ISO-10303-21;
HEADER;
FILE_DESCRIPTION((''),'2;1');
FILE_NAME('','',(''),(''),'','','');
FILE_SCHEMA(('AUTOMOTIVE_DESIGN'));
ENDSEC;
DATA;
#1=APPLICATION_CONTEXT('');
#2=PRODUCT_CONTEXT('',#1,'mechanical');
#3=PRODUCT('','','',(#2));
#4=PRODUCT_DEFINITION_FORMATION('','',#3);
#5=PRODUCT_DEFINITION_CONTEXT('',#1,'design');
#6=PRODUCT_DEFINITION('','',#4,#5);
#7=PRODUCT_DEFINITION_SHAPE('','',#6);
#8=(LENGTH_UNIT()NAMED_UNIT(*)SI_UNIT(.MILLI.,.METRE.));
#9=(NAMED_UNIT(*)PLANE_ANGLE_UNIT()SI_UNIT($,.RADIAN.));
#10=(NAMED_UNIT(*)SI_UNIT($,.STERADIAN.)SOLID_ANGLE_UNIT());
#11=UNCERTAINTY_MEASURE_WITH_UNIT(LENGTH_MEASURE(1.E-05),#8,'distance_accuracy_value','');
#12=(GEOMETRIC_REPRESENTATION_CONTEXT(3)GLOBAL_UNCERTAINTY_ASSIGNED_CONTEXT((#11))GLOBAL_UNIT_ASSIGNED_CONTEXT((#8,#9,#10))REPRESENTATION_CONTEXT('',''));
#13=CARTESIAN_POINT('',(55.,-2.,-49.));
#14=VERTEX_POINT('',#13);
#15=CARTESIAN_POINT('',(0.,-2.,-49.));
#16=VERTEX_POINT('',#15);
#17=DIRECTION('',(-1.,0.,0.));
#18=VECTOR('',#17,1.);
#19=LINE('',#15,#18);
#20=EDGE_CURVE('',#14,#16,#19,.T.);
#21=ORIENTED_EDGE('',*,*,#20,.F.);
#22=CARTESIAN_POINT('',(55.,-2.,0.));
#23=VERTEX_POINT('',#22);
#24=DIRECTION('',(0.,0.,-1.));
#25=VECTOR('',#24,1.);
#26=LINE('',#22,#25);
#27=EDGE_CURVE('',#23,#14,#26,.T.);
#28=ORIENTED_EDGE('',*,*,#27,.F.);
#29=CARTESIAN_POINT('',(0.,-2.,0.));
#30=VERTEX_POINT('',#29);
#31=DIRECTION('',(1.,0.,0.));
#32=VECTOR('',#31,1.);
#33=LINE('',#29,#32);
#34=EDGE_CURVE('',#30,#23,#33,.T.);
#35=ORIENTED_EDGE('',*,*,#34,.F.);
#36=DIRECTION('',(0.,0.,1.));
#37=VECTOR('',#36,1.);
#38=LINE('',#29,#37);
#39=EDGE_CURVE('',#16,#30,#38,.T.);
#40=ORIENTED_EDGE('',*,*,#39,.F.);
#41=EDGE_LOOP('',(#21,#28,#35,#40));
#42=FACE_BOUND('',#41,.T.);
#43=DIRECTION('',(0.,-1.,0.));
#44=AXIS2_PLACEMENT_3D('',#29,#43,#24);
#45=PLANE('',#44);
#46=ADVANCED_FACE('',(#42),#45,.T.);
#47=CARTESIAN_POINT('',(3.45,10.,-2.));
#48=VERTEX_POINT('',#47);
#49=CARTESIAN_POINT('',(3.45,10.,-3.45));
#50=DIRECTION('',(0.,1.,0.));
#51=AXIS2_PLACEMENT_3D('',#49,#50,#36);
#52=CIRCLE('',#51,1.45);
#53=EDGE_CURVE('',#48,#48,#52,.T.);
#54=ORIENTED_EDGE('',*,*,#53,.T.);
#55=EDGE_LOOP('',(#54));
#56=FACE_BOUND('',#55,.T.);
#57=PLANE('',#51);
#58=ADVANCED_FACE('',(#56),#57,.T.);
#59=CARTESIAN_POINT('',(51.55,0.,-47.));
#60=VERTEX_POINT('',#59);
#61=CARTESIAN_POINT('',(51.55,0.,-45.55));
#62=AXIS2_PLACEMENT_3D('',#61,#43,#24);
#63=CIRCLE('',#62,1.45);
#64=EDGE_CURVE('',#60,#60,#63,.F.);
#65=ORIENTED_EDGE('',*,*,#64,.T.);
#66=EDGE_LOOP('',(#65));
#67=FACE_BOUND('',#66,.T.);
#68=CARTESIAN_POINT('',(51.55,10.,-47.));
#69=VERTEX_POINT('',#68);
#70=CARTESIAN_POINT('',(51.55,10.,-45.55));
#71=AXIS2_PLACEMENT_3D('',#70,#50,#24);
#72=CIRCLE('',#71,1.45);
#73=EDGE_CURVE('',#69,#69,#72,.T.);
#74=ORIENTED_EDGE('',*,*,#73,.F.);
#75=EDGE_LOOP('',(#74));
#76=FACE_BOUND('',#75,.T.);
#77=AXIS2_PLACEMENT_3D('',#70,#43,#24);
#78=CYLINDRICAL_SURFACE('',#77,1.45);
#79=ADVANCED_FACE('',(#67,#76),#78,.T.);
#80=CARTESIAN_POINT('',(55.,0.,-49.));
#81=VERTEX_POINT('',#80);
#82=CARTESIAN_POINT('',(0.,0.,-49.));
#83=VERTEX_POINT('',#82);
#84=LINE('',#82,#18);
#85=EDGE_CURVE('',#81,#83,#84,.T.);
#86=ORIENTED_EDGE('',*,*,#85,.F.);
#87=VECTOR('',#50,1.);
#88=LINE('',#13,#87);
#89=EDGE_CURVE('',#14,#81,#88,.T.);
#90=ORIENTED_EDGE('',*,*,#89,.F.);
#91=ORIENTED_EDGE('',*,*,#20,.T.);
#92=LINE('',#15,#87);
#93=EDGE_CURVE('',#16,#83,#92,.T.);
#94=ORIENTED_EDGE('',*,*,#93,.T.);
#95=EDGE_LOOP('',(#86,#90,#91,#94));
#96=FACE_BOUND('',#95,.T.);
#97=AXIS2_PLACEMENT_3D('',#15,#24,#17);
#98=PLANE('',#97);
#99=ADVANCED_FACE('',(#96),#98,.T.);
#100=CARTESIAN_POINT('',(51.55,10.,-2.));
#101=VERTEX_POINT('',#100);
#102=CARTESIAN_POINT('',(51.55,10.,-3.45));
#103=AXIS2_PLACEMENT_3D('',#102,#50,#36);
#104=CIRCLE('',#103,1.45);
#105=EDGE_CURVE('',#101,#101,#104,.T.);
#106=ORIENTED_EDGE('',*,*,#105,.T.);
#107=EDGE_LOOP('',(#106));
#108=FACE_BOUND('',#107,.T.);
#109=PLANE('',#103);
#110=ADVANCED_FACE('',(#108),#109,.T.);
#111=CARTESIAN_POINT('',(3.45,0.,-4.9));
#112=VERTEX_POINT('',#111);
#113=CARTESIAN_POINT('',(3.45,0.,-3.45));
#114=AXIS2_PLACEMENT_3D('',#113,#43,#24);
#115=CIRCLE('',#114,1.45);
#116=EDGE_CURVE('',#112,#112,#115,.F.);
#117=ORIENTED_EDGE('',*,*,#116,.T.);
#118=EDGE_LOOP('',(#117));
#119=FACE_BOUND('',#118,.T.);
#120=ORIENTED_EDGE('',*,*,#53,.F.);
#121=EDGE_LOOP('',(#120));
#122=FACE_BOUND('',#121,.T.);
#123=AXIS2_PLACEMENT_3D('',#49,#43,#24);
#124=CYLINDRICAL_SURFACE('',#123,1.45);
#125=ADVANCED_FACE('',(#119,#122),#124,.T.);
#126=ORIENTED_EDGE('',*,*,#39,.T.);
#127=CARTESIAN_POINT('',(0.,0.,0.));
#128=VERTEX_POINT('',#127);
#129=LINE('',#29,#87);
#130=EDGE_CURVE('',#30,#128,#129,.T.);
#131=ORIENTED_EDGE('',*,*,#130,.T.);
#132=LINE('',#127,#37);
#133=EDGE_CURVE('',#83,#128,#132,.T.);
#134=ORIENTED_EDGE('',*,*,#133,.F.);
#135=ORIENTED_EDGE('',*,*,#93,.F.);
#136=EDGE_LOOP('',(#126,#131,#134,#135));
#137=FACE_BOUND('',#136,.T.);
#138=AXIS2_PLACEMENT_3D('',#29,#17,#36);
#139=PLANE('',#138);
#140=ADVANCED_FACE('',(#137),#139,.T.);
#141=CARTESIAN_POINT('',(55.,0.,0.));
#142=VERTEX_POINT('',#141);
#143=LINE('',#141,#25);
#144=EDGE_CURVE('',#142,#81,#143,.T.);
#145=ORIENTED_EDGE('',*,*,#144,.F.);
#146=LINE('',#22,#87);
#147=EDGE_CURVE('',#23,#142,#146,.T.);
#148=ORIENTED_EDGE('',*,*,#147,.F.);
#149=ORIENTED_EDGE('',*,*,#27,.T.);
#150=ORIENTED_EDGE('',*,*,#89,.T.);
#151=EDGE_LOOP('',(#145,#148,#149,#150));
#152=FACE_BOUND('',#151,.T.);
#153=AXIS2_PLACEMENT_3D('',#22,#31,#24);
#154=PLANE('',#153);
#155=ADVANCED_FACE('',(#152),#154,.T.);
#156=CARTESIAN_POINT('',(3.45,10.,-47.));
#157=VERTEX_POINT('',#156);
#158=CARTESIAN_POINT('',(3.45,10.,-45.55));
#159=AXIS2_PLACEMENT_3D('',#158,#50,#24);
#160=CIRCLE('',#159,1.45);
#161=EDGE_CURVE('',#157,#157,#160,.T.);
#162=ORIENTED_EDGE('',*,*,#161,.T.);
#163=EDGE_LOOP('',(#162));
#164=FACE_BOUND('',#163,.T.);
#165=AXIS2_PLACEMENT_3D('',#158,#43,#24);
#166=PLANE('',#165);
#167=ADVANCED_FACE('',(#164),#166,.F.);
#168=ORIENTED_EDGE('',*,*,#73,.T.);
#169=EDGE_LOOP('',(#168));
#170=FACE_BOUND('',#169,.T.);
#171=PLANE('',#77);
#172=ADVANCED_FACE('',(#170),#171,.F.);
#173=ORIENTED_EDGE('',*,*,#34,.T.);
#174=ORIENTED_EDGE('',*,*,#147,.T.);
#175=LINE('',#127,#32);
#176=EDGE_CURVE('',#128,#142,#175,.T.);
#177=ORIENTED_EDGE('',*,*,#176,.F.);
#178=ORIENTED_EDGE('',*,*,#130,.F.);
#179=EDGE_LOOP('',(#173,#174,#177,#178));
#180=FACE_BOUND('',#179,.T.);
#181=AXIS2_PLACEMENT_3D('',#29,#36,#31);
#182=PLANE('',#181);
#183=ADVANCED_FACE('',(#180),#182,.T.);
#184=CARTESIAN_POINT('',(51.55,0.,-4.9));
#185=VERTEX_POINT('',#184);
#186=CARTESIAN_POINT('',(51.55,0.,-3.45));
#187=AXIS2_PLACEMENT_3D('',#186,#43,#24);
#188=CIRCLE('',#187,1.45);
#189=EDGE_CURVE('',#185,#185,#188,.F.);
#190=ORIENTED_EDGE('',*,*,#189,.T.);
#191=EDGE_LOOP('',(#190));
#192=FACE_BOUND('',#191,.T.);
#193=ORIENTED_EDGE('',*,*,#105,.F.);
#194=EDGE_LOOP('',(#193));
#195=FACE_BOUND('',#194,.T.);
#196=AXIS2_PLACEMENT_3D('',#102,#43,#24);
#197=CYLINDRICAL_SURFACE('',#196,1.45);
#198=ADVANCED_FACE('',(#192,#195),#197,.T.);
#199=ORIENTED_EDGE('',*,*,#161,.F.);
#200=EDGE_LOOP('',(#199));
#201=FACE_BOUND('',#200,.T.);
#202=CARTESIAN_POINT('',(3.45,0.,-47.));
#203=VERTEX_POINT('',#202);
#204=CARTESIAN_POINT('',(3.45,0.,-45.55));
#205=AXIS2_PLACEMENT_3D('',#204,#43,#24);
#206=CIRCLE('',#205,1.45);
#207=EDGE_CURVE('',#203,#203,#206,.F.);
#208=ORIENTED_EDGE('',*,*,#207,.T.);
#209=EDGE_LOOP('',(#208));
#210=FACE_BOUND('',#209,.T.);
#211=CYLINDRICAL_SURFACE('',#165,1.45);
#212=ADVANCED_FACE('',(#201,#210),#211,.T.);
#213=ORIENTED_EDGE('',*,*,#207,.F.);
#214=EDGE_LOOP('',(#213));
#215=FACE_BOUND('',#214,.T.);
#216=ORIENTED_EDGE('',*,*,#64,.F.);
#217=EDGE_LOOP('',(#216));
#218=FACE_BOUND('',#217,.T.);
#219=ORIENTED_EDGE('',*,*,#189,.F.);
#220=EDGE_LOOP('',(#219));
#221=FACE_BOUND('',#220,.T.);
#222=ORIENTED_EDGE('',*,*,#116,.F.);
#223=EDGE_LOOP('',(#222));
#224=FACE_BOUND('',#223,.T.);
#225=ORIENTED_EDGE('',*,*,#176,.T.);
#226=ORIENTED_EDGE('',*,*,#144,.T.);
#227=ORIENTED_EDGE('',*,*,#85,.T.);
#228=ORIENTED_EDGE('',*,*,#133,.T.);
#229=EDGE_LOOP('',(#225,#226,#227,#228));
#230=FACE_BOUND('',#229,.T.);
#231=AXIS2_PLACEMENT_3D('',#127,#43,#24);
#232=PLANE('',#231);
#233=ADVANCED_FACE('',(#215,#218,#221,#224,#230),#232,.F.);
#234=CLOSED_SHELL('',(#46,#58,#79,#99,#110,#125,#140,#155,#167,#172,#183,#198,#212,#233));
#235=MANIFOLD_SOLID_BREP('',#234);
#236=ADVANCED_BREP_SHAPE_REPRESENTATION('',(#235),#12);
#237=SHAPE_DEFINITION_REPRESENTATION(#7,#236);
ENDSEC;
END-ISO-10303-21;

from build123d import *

# Parameters (mm, degrees)
SKETCH1_W           = 55
SKETCH1_H           = 49
BOSS_EXTRUDE1_DEPTH = 2
SKETCH2_R           = 1.45
BOSS_EXTRUDE2_DEPTH = 10


with BuildPart() as part:
    # Sketch1 → Boss-Extrude1 (new body)
    with BuildSketch(Plane(origin=(0, 0, 0), x_dir=(1, 0, 0), z_dir=(0, 1, 0))):
        with Locations((27.5, 24.5)):
            Rectangle(SKETCH1_W, SKETCH1_H)
    extrude(amount=-BOSS_EXTRUDE1_DEPTH)

    # Sketch2 → Boss-Extrude2 (add)
    with BuildSketch(Plane(origin=(0, 0, 0), x_dir=(1, 0, 0), z_dir=(0, 1, 0))):
        with Locations((3.45, 3.45)):
            Circle(SKETCH2_R)
        with Locations((51.550000042, 3.45)):
            Circle(SKETCH2_R)
        with Locations((51.550000042, 45.55)):
            Circle(SKETCH2_R)
        with Locations((3.45, 45.55)):
            Circle(SKETCH2_R)
    extrude(amount=BOSS_EXTRUDE2_DEPTH)


solid = part.part
